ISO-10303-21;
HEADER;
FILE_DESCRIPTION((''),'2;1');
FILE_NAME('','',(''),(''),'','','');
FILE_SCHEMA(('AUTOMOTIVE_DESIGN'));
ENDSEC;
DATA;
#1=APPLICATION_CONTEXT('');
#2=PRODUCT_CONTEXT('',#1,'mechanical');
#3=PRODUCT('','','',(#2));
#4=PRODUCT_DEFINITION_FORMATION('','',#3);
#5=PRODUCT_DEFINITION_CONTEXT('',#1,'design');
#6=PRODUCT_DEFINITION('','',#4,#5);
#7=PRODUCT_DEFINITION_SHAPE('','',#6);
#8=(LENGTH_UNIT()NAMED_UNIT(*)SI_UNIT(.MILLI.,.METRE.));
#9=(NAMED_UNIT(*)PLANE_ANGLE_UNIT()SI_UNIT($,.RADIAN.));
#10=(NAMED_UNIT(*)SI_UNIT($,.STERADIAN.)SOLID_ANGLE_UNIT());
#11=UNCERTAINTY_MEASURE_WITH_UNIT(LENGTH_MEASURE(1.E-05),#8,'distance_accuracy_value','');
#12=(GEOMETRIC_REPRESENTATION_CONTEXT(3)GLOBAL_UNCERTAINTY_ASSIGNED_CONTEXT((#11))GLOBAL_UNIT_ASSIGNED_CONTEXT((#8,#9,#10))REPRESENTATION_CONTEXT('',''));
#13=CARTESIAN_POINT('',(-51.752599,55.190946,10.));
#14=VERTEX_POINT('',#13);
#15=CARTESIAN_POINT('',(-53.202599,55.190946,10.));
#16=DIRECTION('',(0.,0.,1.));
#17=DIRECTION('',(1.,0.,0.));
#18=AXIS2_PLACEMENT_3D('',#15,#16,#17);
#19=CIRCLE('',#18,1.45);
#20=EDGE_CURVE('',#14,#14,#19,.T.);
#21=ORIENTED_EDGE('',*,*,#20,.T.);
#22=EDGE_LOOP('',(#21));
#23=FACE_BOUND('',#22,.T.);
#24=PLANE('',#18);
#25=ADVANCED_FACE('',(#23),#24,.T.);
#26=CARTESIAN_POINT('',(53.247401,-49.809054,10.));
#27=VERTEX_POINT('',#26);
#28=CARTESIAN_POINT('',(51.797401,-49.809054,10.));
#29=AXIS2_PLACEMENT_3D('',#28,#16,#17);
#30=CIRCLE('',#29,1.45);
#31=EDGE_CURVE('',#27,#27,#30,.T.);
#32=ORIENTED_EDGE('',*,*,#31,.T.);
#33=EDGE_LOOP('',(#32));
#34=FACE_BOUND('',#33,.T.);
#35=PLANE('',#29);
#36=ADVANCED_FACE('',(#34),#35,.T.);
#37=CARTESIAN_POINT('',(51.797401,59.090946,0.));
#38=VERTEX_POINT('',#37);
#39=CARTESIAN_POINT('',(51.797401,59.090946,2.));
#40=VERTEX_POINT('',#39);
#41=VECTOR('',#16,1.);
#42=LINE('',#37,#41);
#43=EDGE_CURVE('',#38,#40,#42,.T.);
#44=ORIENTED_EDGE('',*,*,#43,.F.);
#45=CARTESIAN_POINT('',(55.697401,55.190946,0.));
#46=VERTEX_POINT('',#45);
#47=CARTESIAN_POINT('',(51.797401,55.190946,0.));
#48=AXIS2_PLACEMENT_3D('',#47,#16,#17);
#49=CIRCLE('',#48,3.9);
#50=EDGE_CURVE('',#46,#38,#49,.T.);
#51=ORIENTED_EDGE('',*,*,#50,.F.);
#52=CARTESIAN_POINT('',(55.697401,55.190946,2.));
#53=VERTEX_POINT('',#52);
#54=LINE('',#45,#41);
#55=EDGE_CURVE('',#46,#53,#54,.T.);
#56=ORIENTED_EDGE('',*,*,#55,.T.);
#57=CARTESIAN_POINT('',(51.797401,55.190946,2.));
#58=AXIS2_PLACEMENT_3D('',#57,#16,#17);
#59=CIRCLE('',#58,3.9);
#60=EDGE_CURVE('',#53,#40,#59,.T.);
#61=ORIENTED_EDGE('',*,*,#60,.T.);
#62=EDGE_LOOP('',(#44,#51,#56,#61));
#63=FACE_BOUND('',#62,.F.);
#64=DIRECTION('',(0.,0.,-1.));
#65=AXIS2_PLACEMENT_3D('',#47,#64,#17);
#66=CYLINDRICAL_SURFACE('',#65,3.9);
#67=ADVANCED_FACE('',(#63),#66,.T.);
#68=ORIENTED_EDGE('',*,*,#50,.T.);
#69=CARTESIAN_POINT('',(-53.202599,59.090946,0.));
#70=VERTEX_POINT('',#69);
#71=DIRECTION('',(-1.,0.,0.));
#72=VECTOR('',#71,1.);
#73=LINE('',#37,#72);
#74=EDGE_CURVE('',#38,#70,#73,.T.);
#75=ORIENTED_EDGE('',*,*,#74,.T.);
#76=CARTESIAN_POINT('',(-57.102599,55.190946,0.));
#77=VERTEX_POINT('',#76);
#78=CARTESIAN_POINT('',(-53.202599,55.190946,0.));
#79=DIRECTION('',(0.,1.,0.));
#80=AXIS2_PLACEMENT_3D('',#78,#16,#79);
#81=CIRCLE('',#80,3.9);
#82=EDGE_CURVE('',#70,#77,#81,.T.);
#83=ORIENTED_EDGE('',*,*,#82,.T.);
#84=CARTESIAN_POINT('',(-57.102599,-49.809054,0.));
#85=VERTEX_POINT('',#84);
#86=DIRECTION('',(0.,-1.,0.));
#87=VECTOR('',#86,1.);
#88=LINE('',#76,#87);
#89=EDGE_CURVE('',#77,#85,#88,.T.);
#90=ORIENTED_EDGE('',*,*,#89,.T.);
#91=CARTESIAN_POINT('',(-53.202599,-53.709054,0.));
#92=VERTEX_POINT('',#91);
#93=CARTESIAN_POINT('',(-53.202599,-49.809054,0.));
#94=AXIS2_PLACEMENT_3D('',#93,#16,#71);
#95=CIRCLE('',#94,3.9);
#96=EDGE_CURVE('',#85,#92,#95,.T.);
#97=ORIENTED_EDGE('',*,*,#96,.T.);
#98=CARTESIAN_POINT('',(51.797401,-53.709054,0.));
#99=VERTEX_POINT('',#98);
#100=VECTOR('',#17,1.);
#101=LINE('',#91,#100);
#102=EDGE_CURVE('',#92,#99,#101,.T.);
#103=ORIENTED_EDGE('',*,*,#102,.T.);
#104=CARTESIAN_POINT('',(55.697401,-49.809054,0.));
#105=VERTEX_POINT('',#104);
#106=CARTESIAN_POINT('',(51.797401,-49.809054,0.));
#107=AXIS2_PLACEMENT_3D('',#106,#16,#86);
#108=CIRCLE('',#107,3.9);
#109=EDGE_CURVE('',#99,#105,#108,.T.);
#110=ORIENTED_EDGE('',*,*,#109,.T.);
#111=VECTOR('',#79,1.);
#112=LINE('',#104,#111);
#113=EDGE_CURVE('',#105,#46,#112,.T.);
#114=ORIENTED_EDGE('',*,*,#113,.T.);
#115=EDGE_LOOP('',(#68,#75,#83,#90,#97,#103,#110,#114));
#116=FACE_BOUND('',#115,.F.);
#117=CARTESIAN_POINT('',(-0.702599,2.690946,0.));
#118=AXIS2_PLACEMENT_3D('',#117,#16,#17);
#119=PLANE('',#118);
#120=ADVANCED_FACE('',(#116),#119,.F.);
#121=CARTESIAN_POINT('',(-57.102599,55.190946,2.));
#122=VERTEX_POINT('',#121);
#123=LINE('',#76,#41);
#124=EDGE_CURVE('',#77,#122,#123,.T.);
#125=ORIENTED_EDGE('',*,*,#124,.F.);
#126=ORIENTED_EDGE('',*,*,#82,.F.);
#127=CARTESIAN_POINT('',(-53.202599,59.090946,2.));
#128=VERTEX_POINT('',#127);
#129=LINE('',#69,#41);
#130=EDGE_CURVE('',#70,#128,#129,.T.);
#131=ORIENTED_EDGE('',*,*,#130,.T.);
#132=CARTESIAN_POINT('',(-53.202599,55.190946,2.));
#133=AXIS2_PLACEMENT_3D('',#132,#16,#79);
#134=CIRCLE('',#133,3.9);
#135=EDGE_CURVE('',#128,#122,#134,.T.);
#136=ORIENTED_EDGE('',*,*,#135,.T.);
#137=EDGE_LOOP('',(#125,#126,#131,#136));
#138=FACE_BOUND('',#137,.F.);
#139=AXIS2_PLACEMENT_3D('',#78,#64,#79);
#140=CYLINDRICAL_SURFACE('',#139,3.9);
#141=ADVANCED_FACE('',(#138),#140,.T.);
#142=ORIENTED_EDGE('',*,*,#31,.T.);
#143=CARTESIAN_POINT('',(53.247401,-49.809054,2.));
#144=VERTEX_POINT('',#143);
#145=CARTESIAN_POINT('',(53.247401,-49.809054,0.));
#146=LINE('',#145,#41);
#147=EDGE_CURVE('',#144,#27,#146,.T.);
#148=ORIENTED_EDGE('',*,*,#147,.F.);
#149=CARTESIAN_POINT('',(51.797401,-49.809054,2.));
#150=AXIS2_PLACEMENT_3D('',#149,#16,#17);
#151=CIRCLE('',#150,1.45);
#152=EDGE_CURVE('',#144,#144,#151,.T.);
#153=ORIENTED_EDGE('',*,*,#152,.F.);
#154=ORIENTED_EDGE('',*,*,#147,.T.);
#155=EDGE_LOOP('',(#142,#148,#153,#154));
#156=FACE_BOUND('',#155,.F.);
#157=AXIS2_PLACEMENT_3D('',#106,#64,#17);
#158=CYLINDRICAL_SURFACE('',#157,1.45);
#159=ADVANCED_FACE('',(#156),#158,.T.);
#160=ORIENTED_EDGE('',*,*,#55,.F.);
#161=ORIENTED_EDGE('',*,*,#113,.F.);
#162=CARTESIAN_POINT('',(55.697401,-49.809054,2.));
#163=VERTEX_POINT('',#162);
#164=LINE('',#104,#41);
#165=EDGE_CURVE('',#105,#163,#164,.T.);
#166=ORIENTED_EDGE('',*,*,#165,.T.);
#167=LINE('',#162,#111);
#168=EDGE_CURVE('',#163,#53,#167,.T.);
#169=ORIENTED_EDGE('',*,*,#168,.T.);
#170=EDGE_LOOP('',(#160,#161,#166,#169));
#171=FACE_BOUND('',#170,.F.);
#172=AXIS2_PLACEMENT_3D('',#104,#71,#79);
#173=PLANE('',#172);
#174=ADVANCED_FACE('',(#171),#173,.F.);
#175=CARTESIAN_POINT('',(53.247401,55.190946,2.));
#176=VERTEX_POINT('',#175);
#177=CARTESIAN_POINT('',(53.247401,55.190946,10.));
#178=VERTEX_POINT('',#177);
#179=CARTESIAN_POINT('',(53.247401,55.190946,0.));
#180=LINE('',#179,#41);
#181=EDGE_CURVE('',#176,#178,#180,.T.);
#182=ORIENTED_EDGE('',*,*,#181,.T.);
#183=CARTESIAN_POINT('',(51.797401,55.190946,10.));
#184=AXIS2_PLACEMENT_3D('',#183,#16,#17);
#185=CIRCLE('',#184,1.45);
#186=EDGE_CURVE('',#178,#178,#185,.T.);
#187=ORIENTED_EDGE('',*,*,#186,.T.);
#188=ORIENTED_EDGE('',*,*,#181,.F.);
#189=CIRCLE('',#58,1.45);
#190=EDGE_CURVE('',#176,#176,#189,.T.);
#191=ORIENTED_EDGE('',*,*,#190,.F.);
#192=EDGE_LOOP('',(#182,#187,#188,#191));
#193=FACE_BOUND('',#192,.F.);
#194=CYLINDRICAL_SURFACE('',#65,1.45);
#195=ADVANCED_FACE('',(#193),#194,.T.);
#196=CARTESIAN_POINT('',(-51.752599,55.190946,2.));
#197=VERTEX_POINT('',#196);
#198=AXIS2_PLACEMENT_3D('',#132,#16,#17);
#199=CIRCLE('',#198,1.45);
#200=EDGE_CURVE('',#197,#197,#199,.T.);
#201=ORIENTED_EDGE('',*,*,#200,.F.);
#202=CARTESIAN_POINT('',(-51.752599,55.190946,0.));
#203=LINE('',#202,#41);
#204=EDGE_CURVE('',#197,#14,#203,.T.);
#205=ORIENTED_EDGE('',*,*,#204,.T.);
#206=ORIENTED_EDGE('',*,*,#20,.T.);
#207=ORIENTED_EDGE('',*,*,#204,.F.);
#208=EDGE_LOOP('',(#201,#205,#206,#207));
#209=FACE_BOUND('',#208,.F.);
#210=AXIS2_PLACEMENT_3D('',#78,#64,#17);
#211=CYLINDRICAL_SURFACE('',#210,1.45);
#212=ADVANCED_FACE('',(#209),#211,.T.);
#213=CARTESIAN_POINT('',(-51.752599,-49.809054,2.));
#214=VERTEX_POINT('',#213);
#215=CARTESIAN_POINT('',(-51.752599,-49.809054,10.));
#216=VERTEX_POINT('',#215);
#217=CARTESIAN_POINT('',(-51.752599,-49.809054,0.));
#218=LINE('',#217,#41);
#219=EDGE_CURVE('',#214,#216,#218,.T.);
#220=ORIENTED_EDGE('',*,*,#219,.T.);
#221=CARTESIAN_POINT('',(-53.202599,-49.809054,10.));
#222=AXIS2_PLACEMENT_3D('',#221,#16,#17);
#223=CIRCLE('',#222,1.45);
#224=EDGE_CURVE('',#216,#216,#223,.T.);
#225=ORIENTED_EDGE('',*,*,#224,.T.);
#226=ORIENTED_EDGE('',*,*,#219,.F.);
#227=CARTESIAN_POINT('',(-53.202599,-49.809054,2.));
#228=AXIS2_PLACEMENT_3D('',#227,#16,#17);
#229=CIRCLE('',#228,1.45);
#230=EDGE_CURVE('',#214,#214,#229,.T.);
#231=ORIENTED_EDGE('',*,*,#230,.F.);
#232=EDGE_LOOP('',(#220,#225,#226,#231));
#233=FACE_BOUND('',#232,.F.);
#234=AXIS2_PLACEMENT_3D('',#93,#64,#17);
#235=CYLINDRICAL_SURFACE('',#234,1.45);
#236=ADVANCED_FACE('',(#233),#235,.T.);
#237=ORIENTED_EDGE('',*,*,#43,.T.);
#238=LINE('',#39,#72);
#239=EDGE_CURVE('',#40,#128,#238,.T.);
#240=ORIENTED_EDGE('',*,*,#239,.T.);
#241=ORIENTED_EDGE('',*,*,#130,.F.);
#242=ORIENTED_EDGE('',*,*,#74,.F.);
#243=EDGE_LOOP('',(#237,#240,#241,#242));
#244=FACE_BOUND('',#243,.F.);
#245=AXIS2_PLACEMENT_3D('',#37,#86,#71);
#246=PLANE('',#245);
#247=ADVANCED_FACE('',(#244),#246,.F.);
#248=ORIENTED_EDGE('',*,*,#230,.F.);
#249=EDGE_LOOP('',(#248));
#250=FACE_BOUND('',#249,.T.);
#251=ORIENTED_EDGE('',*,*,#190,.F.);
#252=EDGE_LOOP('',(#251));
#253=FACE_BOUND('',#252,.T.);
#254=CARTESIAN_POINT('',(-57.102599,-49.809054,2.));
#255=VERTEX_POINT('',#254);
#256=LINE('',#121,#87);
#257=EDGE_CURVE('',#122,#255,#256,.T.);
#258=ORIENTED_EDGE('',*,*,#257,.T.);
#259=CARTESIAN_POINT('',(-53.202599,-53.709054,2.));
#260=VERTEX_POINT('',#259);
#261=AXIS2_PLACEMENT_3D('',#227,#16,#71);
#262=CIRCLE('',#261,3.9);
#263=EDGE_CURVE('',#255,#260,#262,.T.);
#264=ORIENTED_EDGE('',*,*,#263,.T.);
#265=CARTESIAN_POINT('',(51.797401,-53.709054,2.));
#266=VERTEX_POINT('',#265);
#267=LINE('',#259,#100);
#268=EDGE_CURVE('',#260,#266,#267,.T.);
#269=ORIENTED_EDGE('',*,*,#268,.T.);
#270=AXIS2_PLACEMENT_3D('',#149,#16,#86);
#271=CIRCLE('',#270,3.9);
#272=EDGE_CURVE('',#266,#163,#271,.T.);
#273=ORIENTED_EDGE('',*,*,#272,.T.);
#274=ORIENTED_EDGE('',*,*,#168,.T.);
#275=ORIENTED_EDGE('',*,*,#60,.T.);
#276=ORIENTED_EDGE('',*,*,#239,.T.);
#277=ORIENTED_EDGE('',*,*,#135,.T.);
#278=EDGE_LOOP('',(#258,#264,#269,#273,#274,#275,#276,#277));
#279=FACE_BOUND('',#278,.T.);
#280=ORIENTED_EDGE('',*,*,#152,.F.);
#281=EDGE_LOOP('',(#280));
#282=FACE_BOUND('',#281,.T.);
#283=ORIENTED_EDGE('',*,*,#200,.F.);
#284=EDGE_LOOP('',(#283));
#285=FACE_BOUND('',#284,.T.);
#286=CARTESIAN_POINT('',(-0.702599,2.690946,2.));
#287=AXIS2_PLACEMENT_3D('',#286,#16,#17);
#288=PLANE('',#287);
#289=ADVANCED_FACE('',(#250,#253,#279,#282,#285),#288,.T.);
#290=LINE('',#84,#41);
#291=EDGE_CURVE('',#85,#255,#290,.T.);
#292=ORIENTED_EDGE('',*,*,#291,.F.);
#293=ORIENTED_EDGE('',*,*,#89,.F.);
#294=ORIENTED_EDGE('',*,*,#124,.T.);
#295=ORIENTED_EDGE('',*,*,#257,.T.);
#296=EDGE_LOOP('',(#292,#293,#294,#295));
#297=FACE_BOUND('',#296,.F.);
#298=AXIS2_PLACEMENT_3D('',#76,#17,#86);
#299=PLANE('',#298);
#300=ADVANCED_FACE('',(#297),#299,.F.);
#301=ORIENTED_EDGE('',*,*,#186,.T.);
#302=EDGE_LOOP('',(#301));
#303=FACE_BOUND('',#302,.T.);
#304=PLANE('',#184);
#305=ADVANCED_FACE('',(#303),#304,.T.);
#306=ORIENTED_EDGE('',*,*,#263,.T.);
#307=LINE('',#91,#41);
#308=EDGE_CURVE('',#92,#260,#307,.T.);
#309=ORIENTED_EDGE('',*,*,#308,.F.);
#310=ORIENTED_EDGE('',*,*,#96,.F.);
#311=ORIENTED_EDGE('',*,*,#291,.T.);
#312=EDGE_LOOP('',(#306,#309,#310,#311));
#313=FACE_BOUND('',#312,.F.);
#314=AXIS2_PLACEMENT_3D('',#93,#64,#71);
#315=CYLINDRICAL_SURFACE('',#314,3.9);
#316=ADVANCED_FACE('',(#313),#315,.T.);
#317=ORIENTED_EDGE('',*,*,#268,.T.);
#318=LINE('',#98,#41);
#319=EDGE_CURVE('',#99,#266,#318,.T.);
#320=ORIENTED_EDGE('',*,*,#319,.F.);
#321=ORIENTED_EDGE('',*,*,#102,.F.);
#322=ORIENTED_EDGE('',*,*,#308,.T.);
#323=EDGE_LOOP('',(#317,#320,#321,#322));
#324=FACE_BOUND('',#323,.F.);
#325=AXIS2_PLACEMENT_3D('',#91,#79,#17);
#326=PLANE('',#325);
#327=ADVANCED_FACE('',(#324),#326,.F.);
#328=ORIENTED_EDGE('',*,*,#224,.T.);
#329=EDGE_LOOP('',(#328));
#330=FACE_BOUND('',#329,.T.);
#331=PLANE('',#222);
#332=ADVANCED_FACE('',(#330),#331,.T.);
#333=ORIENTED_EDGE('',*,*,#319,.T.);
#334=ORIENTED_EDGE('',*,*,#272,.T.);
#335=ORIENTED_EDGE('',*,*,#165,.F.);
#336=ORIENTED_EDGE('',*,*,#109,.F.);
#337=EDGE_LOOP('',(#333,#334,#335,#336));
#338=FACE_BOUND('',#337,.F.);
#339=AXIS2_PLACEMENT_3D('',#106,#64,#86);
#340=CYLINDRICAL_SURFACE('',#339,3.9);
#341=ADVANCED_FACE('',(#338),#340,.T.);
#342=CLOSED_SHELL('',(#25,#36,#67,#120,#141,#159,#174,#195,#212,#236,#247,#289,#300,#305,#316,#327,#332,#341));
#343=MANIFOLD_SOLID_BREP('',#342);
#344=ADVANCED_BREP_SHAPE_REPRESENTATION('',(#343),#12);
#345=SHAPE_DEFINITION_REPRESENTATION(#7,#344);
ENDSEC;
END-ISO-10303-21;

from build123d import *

# Parameters (mm, degrees)
F1_R     = 1.45
F2_DEPTH = 2
F3_DEPTH = 10


with BuildPart() as f2:
    # F1 (on Top) → F2 (new body)
    with BuildSketch(Plane.XY):
        with BuildLine():
            ThreePointArc((-53.202599287, 59.0909458041), (-55.9603157337, 57.9486622507), (-57.102599287, 55.1909458041))
            Line((-57.102599287, 55.1909458041), (-57.102599287, -49.8090541959))
            ThreePointArc((-57.102599287, -49.8090541959), (-55.9603157337, -52.5667706425), (-53.202599287, -53.7090541959))
            Line((-53.202599287, -53.7090541959), (51.797400713, -53.7090541959))
            ThreePointArc((51.797400713, -53.7090541959), (54.5551171596, -52.5667706425), (55.697400713, -49.8090541959))
            Line((55.697400713, -49.8090541959), (55.697400713, 55.1909458041))
            ThreePointArc((55.697400713, 55.1909458041), (54.5551171596, 57.9486622507), (51.797400713, 59.0909458041))
            Line((51.797400713, 59.0909458041), (-53.202599287, 59.0909458041))
        make_face()
        with Locations((-53.202599287, -49.8090541959)):
            Circle(F1_R, mode=Mode.SUBTRACT)
        with Locations((51.797400713, -49.8090541959)):
            Circle(F1_R, mode=Mode.SUBTRACT)
        with Locations((-53.202599287, 55.1909458041)):
            Circle(F1_R, mode=Mode.SUBTRACT)
        with Locations((51.797400713, 55.1909458041)):
            Circle(F1_R, mode=Mode.SUBTRACT)
    extrude(amount=F2_DEPTH)

    # F1 (on Top) → F3 (join)
    with BuildSketch(Plane.XY):
        with Locations((-53.202599287, 55.1909458041)):
            Circle(F1_R)
        with Locations((51.797400713, 55.1909458041)):
            Circle(F1_R)
        with Locations((-53.202599287, -49.8090541959)):
            Circle(F1_R)
        with Locations((51.797400713, -49.8090541959)):
            Circle(F1_R)
    extrude(amount=F3_DEPTH)


solid = f2.part
